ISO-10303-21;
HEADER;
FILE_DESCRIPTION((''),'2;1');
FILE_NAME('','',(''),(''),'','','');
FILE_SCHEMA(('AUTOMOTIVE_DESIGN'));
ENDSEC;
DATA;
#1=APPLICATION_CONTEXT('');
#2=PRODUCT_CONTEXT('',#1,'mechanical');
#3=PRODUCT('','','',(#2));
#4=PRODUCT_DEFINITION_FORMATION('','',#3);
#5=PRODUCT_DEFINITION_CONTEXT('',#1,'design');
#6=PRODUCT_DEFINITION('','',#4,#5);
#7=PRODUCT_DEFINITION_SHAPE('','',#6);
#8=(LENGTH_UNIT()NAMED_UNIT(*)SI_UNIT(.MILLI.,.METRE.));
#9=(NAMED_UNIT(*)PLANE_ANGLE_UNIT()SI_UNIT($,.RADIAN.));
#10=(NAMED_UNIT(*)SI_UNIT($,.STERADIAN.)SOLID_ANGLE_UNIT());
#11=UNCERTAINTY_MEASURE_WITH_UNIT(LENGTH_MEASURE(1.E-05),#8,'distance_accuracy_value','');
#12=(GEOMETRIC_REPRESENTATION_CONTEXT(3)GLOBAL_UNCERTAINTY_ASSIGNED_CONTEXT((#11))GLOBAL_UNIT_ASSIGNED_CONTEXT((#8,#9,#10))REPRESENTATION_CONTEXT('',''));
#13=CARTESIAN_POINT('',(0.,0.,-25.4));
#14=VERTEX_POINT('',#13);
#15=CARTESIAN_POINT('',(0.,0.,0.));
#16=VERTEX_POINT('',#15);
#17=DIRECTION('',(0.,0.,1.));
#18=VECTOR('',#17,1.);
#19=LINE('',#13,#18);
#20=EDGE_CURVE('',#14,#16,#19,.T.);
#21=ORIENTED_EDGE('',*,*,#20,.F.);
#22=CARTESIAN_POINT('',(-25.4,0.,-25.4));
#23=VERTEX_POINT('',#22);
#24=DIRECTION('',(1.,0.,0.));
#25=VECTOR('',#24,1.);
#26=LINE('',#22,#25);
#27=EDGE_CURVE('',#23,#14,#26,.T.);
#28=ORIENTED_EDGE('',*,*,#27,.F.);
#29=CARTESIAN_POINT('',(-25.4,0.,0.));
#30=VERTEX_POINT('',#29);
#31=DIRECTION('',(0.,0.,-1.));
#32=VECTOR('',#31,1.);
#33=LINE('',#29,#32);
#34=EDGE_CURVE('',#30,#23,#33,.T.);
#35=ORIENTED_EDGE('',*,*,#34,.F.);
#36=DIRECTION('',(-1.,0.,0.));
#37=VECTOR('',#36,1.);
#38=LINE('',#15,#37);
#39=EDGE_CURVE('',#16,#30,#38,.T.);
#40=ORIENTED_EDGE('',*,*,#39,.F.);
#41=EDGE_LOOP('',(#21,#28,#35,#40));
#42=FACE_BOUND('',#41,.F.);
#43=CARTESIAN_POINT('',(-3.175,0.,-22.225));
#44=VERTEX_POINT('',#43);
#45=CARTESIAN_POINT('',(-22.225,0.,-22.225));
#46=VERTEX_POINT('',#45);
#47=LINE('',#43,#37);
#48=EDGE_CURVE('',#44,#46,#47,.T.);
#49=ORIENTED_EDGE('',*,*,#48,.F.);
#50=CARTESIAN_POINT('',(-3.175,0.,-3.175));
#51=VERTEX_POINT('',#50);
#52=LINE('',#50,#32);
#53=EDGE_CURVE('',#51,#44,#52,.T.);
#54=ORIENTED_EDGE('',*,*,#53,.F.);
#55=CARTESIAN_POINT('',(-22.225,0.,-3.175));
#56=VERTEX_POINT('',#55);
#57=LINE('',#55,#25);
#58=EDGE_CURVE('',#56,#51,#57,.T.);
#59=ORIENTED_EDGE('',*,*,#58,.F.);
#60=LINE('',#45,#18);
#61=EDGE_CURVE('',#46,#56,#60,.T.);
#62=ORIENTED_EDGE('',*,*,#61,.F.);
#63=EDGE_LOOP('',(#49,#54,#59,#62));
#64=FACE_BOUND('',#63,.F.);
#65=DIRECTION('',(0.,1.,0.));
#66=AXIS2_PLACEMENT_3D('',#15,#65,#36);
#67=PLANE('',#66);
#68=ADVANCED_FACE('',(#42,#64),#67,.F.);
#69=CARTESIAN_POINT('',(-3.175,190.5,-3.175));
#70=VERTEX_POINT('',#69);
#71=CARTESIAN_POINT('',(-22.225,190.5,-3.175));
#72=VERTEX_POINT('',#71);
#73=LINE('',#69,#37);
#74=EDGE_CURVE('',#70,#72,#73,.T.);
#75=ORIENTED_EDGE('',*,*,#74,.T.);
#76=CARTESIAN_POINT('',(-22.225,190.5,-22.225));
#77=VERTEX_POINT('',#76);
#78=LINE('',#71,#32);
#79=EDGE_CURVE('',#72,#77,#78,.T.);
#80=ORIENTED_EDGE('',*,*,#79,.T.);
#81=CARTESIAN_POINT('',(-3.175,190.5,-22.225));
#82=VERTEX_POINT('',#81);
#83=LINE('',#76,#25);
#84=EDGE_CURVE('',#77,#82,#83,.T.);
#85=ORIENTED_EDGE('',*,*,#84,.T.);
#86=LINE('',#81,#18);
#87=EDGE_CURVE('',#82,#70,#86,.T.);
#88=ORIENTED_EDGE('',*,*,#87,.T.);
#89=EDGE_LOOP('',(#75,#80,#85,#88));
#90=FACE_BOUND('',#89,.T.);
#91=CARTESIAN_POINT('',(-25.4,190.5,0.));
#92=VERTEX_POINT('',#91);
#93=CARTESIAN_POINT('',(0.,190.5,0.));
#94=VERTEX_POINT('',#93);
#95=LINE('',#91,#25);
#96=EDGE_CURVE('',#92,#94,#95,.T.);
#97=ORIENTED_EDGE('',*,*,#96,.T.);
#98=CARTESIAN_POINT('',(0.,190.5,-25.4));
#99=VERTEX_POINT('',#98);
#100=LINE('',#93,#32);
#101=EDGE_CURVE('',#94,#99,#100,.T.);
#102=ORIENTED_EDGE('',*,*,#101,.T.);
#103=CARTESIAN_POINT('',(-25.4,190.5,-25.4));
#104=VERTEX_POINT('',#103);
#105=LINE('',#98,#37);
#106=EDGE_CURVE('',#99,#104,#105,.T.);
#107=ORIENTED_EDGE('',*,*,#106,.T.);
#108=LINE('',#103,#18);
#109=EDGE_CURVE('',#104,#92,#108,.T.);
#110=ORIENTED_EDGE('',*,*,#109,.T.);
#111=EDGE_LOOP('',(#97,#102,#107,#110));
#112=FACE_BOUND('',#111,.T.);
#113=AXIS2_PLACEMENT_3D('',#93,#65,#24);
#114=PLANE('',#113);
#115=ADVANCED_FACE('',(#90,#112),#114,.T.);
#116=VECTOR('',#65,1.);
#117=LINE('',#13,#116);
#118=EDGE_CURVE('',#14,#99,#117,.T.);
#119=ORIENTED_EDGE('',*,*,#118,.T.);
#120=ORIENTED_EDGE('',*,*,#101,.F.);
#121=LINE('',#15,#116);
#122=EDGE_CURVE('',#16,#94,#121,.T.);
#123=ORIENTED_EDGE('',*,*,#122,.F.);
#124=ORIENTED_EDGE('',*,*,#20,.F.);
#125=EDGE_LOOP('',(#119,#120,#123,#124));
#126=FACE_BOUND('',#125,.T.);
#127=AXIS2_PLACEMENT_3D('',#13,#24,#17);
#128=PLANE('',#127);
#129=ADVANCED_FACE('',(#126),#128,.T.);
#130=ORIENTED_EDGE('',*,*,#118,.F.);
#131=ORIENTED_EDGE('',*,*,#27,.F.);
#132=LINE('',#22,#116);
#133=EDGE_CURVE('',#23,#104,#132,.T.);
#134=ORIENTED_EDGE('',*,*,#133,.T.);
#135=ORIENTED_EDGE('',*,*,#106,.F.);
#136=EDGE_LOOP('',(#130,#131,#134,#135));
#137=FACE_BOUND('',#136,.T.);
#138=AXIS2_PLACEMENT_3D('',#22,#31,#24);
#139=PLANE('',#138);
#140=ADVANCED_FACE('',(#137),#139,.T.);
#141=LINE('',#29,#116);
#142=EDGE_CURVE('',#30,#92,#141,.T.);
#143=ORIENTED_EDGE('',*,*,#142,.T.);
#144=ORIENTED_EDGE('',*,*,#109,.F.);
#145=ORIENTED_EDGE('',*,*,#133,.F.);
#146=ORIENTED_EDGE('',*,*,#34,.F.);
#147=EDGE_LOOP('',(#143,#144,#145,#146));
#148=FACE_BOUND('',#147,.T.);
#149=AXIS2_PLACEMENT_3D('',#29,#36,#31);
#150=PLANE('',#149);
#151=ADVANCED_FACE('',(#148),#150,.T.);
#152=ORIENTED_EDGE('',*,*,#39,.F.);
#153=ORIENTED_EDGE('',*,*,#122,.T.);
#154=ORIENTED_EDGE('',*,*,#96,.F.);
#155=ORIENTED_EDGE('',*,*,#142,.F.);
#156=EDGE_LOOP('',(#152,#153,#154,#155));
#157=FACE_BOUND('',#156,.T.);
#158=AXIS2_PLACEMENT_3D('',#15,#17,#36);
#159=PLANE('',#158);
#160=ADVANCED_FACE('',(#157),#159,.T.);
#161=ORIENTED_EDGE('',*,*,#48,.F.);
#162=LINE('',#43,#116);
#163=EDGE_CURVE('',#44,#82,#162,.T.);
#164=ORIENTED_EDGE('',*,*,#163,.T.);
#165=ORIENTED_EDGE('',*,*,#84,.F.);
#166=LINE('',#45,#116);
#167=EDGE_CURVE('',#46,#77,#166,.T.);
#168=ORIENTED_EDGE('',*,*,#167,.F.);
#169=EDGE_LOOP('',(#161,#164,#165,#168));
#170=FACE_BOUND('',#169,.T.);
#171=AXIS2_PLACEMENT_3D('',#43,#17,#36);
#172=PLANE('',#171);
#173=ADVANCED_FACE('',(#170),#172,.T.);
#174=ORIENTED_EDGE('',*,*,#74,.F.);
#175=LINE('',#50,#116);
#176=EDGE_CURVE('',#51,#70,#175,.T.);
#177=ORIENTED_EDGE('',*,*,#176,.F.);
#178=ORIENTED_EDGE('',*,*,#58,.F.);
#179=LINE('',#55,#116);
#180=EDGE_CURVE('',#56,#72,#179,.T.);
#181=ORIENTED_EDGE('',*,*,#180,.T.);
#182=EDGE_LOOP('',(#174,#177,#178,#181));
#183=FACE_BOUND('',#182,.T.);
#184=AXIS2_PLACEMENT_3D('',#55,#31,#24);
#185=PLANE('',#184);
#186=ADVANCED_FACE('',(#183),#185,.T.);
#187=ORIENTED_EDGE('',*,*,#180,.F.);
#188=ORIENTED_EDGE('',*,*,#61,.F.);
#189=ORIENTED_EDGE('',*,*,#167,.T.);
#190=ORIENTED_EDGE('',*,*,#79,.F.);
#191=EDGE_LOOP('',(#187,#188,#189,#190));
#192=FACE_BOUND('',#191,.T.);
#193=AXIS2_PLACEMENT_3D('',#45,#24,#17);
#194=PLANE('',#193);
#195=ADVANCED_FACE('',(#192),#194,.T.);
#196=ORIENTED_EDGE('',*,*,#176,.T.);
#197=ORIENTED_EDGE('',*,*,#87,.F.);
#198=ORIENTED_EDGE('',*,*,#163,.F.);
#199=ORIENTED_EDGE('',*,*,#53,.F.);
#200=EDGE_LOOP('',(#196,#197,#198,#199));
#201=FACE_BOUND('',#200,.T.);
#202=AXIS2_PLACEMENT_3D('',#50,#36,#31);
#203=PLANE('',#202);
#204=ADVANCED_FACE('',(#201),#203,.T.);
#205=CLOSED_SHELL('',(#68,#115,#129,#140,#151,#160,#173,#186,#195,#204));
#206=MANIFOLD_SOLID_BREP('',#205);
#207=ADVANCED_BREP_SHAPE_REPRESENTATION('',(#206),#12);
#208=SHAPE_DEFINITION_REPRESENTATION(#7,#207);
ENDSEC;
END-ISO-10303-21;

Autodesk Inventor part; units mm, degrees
ref_plane "YZ Plane" through (0, 0, 0) normal (1, 0, 0) x (0, 1, 0)
ref_plane "XZ Plane" through (0, 0, 0) normal (0, 1, 0) x (-1, 0, 0)
ref_plane "XY Plane" through (0, 0, 0) normal (0, 0, 1) x (1, 0, 0)
sketch "Sketch1" plane through (0, 0, 0) normal (0, 1, 0) x (-1, 0, 0)
  line L0 (0, 0) -> (25.4, 0)
  line L1 (25.4, 0) -> (25.4, -25.4)
  line L2 (25.4, -25.4) -> (0, -25.4)
  line L3 (0, -25.4) -> (0, 0)
  line L4 (22.225, -3.175) -> (3.175, -3.175)
  line L5 (3.175, -3.175) -> (3.175, -22.225)
  line L6 (3.175, -22.225) -> (22.225, -22.225)
  line L7 (22.225, -22.225) -> (22.225, -3.175)
  dimension "d0" = 25.4
  dimension "d1" = 25.4
  dimension "d2" = 3.175
extrude "Extrusion1" add sketch "Sketch1" along normal blind 215.9
sketch "Sketch2" plane through (0, 215.9, 0) normal (0, 1, 0) x (1, 0, 0)
  line L0 (-22.225, 3.175) -> (-22.225, 22.225) projected
  line L1 (-22.225, 22.225) -> (-3.175, 22.225) projected
  line L2 (-3.175, 22.225) -> (-3.175, 3.175) projected
  line L3 (-3.175, 3.175) -> (-22.225, 3.175) projected
  line L4 (-25.4, 0) -> (0, 0) projected
  line L5 (0, 0) -> (0, 25.4) projected
  line L6 (0, 25.4) -> (-25.4, 25.4) projected
  line L7 (-25.4, 25.4) -> (-25.4, 0) projected
extrude "Extrusion2" cut sketch "Sketch2" against normal blind 25.4
properties part number "ShooterBracket.ver2-1111-2021"
